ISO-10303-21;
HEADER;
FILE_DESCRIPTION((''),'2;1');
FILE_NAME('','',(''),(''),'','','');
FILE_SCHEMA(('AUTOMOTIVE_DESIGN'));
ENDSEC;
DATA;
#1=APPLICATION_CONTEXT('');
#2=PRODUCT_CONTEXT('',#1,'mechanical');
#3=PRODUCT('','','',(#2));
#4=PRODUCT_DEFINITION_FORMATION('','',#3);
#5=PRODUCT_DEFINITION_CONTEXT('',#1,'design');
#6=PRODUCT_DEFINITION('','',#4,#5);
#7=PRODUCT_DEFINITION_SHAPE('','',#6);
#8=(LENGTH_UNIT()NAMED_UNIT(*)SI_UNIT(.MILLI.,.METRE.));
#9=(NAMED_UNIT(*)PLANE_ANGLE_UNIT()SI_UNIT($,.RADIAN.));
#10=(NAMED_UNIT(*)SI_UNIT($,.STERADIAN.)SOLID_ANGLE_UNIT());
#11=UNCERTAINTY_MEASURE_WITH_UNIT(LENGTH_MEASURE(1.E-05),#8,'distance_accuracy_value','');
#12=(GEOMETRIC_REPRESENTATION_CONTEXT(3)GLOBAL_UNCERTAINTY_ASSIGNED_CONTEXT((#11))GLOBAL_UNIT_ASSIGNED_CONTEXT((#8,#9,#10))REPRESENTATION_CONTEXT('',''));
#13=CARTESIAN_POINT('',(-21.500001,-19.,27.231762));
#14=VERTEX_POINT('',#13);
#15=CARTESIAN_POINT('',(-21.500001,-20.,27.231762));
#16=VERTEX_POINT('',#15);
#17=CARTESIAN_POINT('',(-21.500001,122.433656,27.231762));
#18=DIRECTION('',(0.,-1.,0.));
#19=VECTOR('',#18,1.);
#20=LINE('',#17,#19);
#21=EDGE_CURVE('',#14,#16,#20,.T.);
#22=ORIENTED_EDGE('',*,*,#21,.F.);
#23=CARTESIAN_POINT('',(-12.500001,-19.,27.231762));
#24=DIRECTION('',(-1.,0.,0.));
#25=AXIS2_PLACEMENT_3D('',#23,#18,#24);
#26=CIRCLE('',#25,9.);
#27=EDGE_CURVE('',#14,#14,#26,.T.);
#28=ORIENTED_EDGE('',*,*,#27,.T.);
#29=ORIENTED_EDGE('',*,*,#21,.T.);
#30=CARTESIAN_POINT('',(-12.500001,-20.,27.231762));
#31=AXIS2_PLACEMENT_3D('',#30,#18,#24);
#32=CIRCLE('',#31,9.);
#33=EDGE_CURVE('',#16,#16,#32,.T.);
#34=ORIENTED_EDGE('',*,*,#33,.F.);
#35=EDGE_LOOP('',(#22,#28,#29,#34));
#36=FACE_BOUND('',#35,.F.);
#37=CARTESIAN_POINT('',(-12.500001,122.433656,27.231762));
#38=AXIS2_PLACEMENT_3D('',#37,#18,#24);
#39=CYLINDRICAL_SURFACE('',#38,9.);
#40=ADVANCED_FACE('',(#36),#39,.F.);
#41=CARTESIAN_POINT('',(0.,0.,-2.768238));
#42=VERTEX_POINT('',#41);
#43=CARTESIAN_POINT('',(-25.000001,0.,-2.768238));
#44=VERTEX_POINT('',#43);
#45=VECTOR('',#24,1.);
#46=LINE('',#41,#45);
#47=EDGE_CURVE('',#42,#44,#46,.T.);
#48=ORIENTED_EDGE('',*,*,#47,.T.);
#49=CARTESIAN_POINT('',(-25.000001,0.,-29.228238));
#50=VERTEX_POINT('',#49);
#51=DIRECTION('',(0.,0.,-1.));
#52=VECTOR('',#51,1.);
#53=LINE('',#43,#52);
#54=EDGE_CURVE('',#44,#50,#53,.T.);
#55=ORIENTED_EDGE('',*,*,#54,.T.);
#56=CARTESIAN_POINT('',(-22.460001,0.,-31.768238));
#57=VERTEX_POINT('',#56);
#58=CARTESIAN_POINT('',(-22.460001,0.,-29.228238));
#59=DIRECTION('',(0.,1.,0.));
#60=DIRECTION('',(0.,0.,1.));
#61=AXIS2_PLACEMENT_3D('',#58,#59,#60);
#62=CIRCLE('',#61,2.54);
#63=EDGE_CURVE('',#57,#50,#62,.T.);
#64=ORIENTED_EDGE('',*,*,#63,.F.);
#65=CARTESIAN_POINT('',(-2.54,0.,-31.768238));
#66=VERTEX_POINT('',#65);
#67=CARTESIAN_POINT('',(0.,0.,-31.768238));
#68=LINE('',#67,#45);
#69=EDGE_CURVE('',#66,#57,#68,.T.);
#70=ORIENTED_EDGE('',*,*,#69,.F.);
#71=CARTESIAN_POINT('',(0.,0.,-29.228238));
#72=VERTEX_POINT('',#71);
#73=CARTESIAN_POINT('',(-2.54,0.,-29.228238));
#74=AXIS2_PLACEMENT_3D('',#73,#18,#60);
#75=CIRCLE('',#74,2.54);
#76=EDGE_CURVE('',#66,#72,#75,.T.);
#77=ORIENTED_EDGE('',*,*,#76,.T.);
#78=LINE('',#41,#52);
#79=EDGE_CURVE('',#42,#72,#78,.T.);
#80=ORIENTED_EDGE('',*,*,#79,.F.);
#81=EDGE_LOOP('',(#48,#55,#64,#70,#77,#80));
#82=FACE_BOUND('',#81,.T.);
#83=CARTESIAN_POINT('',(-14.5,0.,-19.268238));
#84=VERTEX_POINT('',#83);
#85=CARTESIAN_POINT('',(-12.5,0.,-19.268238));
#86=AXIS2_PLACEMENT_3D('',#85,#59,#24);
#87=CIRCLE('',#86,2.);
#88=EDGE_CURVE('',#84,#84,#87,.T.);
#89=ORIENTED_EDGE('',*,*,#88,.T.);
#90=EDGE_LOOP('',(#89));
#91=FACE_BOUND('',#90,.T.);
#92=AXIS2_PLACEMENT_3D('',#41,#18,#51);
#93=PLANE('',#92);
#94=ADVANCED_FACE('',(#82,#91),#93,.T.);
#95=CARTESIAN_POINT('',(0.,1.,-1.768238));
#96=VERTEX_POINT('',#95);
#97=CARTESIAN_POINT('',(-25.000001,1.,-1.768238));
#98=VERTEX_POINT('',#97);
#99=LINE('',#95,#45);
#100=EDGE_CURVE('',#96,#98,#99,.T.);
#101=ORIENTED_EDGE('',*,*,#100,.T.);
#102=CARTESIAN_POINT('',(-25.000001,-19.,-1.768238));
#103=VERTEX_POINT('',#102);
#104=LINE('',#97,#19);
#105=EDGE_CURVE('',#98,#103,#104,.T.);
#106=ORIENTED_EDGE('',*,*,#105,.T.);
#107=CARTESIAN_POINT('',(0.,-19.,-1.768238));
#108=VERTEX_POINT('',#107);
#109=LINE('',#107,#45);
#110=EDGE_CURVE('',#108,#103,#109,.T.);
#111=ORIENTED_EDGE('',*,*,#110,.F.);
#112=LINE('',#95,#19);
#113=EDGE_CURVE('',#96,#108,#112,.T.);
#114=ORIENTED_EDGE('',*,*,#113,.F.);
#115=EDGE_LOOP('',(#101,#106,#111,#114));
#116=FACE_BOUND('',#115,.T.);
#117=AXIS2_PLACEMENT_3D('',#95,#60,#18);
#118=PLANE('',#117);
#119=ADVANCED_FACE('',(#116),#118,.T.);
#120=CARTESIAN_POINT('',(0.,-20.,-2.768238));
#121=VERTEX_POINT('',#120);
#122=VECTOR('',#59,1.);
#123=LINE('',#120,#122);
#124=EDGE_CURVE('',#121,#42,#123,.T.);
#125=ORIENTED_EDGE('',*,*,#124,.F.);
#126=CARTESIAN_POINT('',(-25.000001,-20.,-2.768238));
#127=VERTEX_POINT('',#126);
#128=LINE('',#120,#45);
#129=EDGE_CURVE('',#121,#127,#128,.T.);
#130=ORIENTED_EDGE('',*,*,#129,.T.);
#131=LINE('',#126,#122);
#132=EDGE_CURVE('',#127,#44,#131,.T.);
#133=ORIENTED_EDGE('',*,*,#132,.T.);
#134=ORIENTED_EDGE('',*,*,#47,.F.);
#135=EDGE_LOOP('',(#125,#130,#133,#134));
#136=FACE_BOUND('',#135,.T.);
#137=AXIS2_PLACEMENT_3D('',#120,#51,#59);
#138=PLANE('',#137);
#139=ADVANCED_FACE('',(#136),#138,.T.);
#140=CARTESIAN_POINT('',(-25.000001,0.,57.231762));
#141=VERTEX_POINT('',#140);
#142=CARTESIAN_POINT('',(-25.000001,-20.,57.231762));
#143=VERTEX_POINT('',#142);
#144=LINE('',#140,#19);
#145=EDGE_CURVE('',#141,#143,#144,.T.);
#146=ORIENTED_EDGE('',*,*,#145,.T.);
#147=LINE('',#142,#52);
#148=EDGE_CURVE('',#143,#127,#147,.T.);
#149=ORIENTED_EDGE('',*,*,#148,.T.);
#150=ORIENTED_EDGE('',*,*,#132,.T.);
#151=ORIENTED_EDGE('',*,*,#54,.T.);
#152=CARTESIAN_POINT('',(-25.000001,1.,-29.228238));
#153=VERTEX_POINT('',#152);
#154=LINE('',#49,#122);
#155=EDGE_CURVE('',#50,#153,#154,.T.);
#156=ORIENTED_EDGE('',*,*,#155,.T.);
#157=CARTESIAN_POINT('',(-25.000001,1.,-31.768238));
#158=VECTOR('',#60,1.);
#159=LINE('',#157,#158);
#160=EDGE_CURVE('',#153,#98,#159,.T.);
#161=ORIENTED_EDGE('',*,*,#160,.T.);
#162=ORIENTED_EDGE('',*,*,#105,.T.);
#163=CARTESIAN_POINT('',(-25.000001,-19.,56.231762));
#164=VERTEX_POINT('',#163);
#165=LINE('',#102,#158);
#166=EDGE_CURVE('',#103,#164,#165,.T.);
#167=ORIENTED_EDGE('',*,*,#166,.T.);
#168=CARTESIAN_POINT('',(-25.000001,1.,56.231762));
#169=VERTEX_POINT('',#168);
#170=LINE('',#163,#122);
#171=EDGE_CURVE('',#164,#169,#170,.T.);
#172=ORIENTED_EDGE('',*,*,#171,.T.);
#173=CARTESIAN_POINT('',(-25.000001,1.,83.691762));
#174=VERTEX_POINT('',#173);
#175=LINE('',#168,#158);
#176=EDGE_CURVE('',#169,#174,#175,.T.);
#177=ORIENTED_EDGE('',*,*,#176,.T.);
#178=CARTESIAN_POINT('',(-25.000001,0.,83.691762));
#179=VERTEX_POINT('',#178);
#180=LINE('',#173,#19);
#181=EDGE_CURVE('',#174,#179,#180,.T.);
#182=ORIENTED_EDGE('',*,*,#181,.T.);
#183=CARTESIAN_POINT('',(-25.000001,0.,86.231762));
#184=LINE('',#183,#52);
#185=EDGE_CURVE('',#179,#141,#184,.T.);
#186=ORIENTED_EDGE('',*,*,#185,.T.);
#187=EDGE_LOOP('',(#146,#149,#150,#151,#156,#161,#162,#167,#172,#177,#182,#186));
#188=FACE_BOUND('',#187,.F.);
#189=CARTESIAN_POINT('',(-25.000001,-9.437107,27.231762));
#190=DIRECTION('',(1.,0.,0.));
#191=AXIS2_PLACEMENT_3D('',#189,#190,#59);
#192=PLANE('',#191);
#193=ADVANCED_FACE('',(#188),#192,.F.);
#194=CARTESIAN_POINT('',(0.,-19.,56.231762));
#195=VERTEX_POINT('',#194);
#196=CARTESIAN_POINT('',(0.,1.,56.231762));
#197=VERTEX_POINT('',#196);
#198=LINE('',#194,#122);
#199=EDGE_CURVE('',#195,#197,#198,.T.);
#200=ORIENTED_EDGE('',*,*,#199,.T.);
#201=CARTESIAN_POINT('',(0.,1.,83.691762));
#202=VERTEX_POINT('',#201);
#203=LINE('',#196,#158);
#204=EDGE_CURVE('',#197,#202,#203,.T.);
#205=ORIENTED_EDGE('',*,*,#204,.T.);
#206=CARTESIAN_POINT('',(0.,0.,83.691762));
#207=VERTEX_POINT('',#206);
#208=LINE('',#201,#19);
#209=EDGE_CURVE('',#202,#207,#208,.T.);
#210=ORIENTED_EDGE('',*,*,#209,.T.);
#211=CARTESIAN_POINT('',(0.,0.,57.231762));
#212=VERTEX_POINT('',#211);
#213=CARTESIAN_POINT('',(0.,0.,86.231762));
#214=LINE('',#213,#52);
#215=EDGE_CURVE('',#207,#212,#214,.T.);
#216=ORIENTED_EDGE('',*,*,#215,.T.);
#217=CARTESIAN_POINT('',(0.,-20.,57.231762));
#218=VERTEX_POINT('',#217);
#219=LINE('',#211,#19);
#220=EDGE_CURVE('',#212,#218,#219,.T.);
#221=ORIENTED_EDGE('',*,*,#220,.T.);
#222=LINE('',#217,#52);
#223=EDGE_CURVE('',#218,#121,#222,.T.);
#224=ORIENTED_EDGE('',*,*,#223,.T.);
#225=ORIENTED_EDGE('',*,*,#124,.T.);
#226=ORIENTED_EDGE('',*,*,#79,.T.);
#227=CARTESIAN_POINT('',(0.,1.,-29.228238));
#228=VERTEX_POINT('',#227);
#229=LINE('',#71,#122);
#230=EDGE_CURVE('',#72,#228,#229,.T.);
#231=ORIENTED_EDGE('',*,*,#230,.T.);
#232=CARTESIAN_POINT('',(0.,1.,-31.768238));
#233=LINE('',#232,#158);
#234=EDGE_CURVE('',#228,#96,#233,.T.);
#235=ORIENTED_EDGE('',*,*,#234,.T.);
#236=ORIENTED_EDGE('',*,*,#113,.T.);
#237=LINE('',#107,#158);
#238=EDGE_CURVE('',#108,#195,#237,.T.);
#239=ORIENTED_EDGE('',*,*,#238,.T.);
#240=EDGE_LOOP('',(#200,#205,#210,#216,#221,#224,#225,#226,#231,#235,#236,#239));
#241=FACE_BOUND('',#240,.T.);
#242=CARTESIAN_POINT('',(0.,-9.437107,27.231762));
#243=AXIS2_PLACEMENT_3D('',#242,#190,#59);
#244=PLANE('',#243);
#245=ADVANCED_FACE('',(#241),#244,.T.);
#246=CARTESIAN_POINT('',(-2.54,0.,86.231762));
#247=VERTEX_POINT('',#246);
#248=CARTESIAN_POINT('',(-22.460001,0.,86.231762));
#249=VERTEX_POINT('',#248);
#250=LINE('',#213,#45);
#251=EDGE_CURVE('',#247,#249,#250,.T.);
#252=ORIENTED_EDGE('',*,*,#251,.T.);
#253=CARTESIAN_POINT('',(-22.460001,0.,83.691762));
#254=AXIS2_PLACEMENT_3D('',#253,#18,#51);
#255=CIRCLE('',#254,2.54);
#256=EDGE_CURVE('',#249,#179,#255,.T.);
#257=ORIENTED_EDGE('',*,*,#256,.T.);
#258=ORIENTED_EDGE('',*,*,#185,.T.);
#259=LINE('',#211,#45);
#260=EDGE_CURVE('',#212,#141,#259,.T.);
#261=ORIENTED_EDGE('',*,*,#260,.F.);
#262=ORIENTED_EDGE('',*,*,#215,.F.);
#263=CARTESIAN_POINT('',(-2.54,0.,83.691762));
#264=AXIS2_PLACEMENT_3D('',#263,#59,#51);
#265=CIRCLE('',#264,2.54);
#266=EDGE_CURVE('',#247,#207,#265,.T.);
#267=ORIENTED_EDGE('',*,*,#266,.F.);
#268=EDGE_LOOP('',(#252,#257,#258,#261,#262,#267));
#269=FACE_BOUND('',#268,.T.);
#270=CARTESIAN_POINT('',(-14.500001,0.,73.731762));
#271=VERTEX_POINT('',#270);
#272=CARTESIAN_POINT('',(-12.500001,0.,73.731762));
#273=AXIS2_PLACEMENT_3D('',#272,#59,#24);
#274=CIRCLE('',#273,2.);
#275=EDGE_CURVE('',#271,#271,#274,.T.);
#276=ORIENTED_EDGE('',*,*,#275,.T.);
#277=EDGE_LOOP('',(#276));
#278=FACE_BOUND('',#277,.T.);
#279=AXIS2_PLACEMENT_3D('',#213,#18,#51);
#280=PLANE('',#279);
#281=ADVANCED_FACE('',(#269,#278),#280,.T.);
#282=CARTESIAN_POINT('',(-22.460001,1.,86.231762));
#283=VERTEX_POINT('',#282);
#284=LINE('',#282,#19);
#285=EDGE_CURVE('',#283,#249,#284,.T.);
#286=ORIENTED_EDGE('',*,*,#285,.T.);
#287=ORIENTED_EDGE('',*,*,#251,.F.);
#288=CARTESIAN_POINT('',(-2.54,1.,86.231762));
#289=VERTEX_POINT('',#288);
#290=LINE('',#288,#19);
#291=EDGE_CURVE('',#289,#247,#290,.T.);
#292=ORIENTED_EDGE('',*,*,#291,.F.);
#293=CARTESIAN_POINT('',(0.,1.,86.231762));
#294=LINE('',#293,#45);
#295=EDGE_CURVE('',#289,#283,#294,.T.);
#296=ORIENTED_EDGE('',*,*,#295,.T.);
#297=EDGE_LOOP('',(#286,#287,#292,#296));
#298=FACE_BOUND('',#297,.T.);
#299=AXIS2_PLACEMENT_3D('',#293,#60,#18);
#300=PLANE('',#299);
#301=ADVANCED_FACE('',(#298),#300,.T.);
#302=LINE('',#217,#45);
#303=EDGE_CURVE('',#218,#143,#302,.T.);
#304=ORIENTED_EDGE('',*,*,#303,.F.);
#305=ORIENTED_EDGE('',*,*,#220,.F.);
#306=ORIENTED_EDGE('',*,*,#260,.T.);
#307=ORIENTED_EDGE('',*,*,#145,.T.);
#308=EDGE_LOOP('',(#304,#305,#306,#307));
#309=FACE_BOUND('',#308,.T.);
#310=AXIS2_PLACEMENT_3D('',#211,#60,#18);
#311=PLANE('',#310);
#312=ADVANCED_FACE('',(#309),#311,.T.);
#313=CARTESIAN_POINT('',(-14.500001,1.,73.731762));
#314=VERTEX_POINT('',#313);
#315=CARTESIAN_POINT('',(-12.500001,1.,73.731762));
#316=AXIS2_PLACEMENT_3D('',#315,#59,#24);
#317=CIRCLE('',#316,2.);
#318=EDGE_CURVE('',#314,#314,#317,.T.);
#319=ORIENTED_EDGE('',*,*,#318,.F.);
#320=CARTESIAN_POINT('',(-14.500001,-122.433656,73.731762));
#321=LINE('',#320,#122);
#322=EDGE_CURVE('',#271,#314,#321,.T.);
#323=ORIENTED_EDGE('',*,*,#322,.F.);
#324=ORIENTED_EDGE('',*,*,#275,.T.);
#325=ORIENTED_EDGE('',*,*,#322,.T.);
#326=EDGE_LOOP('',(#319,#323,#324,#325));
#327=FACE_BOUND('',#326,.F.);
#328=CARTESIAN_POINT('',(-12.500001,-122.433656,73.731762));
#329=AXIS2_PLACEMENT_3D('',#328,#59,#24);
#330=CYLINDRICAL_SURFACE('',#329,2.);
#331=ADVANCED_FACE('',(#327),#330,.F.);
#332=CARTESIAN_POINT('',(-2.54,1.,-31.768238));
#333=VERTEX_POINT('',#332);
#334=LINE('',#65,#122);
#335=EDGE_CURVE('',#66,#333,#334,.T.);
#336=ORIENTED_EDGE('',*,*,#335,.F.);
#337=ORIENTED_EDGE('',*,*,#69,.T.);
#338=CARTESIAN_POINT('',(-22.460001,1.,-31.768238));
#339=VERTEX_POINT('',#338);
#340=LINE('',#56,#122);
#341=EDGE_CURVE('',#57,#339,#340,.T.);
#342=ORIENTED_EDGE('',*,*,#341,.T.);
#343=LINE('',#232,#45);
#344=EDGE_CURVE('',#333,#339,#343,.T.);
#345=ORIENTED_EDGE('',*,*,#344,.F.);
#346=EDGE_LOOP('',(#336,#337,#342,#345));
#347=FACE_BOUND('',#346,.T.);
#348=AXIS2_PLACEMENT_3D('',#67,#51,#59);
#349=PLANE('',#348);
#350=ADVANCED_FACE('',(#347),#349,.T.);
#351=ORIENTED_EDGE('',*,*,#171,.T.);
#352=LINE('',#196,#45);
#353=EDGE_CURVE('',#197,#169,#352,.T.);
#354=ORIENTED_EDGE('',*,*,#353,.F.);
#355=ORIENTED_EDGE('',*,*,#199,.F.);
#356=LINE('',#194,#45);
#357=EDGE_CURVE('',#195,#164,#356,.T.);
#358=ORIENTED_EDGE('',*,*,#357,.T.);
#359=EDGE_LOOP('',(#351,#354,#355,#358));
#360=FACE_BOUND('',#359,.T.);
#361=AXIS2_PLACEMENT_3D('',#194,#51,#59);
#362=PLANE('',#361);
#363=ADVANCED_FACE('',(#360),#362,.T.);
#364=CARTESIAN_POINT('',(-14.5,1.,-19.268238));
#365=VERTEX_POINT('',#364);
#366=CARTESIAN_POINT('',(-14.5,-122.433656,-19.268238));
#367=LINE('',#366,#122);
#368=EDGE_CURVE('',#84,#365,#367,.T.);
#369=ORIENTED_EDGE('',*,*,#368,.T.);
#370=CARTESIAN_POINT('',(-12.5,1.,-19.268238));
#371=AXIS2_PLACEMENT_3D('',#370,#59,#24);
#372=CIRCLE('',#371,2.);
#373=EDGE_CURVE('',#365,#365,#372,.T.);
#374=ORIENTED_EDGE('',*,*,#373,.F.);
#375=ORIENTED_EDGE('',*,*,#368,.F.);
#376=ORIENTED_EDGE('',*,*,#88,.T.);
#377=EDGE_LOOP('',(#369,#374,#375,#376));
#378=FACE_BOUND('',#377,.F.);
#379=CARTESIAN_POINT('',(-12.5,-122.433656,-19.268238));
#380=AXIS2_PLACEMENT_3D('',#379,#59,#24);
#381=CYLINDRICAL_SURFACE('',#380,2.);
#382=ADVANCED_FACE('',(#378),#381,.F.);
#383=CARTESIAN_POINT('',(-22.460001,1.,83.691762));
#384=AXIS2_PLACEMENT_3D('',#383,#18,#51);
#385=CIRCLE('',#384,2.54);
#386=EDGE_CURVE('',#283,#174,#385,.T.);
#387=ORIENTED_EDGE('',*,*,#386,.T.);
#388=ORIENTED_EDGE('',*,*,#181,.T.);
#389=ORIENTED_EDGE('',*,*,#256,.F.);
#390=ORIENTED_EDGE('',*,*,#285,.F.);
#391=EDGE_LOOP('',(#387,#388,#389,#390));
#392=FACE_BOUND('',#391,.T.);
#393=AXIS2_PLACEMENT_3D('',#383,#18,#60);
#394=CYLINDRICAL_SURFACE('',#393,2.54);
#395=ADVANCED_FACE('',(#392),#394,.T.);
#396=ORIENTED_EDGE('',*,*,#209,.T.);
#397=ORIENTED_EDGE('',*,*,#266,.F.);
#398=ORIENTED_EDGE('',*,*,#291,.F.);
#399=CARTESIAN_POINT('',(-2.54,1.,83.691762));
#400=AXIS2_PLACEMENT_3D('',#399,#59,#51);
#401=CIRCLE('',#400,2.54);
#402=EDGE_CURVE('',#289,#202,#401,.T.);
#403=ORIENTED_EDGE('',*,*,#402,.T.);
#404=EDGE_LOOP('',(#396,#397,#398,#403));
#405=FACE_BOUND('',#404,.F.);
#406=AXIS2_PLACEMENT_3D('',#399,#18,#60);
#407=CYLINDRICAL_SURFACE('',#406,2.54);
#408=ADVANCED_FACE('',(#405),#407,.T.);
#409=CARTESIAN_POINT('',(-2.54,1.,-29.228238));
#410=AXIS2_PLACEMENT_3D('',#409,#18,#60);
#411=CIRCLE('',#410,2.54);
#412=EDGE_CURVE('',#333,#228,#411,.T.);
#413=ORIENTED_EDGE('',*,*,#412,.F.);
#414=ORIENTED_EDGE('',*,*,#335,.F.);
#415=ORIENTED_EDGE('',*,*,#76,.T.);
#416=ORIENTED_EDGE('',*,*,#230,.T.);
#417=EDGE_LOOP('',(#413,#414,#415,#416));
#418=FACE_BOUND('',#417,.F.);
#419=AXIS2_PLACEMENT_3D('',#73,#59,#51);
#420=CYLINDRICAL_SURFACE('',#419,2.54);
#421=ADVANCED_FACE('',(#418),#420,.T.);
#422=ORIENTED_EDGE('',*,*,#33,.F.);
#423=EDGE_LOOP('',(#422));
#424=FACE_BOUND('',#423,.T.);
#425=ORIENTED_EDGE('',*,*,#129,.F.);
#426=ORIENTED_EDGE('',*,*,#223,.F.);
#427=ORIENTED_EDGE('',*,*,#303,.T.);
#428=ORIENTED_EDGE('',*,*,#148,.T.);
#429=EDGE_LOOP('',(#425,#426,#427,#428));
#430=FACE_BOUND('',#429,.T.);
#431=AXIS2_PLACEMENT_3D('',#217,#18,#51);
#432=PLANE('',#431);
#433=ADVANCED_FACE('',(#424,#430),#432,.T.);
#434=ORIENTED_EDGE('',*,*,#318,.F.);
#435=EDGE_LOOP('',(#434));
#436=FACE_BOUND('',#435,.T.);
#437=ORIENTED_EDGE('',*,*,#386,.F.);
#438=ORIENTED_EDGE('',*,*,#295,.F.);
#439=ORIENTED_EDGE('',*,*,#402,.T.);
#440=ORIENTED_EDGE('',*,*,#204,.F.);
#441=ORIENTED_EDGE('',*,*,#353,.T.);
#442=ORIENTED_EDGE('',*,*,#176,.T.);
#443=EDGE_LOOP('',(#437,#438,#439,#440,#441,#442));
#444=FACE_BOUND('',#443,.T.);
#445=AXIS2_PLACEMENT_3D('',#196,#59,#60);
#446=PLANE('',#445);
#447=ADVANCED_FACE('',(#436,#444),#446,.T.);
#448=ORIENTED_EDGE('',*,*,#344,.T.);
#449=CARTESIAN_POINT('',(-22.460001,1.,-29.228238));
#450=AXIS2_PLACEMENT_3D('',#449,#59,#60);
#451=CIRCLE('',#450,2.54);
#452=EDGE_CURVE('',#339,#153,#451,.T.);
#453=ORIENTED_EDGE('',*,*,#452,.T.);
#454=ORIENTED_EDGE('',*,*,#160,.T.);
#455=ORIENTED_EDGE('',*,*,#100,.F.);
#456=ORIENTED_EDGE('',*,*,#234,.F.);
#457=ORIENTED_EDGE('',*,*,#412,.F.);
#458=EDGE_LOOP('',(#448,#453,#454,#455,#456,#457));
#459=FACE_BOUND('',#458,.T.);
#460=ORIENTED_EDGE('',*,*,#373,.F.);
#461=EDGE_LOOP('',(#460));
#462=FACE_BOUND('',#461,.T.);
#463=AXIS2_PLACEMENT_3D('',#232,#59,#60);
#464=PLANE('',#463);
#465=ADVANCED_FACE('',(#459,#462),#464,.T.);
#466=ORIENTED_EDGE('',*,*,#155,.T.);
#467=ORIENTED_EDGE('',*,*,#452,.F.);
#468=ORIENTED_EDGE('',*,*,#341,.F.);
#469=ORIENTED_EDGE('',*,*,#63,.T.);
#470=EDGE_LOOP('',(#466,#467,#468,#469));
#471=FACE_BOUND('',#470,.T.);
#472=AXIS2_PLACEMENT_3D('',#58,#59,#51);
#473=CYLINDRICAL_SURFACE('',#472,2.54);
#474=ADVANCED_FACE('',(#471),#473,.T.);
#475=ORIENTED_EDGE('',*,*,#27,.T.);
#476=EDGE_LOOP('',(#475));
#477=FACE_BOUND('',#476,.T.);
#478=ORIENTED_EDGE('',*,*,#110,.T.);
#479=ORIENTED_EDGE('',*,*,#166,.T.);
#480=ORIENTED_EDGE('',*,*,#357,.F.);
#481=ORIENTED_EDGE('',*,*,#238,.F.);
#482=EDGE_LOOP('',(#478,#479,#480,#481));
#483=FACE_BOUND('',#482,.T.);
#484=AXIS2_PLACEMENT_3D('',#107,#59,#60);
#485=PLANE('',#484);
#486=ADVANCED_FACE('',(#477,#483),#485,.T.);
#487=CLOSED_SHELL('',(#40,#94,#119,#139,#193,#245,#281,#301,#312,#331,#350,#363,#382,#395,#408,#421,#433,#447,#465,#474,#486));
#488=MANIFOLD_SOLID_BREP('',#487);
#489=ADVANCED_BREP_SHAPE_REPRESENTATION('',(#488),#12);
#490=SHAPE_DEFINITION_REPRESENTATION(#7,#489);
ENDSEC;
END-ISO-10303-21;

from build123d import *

# Parameters (mm, degrees)
F1_DEPTH = 25.0000008
F2_R     = 2.54
F4_D     = 18
F6_D     = 4


with BuildPart() as f1:
    # F0 (on Right) → F1 (new body)
    with BuildSketch(Plane.YZ):
        Polygon((1, 86.2317622141), (0, 86.2317622141), (0, 57.2317622141), (-20, 57.2317622141), (-20, -2.7682377859), (0, -2.7682377859), (0, -31.7682377859), (1, -31.7682377859), (1, -1.7682377859), (-19, -1.7682377859), (-19, 56.2317622141), (1, 56.2317622141), align=None)
    extrude(amount=-F1_DEPTH)

    # F2
    f2_edges = [f1.edges().sort_by_distance(p)[0] for p in [
        (0, 0.5, 86.231762),
        (-25.000001, 0.5, 86.231762),
        (0, 0.5, -31.768238),
        (-25.000001, 0.5, -31.768238),
    ]]
    fillet(f2_edges, radius=F2_R)

    # F4 (through all)
    with Locations(Plane(origin=(0, 0, 0), x_dir=(1, 0, 0), z_dir=(0, 1, 0))):
        with Locations((-12.5000008, -27.2317622141)):
            Hole(F4_D / 2)

    # F6 (through all)
    with Locations(Plane.XZ):
        with Locations((-12.5000008, 73.7317622141), (-12.5, -19.2682377859)):
            Hole(F6_D / 2)


solid = f1.part
